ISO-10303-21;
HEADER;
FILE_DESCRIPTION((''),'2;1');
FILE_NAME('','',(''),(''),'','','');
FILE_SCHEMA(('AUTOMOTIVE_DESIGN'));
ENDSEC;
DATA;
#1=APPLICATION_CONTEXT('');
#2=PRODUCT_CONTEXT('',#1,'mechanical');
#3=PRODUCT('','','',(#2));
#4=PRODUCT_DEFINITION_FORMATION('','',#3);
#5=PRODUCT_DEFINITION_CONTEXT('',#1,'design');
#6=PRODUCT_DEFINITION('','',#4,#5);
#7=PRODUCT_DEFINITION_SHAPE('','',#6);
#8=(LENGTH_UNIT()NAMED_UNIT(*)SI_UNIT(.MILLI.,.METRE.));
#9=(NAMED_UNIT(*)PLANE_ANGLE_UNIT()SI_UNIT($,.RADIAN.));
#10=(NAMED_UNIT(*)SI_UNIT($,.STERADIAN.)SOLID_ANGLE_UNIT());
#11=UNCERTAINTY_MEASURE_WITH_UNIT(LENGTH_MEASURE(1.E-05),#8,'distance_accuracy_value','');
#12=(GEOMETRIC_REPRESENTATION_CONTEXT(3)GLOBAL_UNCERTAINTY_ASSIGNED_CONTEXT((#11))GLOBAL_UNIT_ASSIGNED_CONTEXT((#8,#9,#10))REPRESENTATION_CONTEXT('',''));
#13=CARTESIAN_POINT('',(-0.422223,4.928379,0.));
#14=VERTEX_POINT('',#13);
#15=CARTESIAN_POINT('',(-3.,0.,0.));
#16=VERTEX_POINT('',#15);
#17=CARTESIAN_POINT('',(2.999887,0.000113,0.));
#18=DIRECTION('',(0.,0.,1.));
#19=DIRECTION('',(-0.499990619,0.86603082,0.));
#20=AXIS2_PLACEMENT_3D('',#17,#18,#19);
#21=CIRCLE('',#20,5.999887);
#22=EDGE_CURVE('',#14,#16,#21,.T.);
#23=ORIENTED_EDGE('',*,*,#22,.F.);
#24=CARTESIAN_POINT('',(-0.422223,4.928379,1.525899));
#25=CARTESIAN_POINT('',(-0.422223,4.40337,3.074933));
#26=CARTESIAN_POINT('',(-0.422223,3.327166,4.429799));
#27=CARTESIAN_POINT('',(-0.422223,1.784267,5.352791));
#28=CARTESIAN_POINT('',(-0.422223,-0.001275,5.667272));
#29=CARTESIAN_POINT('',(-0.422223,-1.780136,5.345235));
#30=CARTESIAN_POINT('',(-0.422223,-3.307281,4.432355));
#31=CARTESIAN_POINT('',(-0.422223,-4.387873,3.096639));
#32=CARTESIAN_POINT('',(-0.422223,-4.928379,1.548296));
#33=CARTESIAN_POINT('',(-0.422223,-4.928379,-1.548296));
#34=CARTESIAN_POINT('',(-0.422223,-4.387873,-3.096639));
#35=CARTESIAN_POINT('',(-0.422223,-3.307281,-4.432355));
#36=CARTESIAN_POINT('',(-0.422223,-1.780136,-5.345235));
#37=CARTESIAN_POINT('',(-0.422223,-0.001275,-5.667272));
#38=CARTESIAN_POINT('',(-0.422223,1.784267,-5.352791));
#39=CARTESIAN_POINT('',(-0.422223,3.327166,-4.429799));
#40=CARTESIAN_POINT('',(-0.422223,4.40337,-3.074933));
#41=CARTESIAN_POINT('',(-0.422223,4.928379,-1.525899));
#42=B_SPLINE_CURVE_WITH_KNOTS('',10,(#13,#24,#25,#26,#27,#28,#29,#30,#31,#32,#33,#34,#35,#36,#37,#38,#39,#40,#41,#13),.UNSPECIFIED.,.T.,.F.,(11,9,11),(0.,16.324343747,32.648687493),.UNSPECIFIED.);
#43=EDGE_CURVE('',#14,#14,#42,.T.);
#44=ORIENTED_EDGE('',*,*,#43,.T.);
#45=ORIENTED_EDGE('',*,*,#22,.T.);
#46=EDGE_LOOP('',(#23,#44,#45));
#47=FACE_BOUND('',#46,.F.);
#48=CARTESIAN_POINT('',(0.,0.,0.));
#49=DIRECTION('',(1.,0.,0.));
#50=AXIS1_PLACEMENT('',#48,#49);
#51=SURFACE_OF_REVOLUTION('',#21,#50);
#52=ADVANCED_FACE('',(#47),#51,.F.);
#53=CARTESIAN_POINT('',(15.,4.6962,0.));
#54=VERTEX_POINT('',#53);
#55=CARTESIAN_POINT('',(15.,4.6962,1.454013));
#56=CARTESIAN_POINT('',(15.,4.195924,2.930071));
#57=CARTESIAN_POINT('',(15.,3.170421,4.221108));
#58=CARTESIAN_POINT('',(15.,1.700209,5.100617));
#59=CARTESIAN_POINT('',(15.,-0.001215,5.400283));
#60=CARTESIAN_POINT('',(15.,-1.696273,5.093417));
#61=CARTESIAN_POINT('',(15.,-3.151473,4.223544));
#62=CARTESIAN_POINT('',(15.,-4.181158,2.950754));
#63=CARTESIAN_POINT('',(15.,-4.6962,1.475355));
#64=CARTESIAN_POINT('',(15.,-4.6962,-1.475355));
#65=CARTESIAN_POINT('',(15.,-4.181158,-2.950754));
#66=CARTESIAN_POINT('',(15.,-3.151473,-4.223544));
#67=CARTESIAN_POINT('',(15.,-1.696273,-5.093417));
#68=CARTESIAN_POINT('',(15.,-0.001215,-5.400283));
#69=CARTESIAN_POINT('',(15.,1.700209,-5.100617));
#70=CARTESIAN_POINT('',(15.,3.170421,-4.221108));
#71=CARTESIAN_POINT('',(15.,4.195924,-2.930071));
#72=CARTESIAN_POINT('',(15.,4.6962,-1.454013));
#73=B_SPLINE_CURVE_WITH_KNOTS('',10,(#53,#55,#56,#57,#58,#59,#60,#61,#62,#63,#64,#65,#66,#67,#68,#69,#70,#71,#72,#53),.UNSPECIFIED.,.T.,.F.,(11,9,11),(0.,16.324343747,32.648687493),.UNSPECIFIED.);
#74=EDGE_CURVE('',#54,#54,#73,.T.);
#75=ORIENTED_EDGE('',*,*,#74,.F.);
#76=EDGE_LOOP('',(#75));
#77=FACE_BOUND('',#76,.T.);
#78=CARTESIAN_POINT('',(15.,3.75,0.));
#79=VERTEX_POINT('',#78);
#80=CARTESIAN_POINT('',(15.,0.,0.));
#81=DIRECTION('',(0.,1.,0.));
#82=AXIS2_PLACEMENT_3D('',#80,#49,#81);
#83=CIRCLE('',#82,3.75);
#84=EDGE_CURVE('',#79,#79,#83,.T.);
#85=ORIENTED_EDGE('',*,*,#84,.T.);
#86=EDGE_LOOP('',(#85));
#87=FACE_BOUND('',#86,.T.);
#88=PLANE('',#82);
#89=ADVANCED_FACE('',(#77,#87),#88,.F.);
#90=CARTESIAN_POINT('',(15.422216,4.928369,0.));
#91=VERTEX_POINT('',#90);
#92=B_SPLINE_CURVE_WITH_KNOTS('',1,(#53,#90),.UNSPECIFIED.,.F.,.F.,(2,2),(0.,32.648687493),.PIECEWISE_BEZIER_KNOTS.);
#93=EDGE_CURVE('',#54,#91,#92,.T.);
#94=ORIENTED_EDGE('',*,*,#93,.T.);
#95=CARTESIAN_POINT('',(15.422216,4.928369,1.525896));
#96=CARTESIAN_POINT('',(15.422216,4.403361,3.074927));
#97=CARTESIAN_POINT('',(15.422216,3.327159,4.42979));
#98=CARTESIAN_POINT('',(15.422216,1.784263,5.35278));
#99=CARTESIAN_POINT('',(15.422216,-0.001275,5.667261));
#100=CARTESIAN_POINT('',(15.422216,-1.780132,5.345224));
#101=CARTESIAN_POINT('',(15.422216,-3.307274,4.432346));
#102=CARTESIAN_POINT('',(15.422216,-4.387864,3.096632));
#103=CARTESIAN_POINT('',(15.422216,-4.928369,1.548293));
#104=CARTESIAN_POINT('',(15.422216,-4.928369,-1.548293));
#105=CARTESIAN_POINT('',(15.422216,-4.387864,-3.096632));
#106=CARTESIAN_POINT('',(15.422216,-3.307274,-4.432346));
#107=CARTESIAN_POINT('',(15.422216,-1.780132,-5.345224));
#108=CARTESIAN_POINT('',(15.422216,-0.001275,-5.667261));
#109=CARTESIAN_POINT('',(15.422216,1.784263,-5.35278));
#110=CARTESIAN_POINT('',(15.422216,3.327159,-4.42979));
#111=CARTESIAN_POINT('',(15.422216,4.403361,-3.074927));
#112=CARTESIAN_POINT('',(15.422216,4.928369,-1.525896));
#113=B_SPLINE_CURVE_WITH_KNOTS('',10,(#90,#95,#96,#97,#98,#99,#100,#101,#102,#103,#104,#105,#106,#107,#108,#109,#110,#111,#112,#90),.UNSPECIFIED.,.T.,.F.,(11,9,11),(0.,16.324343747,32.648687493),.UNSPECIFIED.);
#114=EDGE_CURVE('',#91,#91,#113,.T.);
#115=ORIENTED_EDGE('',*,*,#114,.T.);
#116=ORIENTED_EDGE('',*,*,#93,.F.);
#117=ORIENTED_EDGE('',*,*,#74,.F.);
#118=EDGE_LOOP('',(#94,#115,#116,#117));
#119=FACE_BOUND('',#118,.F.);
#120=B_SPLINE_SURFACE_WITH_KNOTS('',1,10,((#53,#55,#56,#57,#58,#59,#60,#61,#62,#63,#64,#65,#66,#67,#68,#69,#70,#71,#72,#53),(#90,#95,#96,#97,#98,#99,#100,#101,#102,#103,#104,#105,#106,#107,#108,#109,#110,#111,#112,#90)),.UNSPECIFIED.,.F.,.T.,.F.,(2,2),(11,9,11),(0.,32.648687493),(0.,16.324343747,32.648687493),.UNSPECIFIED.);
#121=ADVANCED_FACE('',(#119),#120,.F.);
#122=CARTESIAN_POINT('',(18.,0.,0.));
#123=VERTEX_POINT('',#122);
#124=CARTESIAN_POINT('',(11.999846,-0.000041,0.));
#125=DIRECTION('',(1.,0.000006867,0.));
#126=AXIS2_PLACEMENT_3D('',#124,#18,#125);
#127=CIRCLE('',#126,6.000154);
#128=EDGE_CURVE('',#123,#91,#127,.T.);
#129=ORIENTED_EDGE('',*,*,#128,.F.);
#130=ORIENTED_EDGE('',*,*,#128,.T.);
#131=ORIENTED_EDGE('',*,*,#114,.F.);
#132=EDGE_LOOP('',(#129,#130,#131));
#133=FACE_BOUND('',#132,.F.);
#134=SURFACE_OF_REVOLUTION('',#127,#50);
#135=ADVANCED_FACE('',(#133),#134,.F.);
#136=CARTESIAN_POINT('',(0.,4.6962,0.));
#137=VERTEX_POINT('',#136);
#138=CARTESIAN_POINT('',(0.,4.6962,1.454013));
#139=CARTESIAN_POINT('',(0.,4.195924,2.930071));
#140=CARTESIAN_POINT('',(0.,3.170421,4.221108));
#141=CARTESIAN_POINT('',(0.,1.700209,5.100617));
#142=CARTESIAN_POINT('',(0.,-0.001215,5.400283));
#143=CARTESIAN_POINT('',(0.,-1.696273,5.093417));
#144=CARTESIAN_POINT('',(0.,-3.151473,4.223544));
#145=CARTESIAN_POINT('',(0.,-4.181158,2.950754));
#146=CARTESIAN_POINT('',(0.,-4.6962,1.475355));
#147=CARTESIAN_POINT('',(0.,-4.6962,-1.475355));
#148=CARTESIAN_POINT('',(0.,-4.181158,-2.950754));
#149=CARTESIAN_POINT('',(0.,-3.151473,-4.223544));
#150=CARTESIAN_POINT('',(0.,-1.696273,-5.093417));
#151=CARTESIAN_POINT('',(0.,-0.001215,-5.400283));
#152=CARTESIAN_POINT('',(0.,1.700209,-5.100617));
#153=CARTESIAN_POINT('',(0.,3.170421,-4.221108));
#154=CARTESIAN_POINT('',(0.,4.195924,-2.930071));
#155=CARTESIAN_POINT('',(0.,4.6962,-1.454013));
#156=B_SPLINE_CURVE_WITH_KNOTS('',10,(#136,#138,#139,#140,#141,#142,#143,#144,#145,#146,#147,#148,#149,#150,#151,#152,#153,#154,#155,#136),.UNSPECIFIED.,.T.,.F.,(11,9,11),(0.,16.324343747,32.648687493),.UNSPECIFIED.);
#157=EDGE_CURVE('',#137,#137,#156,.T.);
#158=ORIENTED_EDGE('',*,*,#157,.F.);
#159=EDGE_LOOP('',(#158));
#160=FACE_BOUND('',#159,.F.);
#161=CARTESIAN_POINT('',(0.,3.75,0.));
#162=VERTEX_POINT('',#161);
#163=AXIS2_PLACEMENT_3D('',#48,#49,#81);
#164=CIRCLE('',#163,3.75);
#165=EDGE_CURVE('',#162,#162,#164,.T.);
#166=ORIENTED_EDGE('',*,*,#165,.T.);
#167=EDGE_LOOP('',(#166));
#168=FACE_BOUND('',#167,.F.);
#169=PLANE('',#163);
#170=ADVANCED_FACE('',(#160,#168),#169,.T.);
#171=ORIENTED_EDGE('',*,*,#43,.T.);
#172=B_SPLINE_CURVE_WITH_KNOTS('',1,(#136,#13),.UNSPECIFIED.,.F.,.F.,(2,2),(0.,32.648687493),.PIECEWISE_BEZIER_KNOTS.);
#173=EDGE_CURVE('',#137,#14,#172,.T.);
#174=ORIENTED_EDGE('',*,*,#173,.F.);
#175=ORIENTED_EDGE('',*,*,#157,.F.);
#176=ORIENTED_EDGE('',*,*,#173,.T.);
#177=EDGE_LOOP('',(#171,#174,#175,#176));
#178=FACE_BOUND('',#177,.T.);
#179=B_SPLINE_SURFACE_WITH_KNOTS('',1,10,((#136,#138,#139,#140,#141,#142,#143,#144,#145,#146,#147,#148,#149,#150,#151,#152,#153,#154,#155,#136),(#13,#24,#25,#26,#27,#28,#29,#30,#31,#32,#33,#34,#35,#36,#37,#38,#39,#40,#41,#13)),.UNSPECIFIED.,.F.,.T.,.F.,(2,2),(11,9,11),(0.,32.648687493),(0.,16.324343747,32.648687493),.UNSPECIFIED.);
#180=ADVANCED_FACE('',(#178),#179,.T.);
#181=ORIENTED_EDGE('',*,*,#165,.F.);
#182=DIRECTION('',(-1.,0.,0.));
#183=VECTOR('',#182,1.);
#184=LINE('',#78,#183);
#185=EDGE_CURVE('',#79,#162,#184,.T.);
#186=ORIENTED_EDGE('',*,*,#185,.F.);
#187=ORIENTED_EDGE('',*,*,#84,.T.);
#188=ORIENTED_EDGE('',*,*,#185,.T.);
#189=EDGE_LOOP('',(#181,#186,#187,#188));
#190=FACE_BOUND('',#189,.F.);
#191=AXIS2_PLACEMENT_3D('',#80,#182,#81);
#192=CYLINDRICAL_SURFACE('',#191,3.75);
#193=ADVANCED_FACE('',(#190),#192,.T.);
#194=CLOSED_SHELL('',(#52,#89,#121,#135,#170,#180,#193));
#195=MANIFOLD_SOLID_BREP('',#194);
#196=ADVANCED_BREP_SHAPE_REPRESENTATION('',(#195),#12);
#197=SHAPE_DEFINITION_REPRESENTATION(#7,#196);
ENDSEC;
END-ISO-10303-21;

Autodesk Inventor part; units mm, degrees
ref_plane "YZ Plane" through (0, 0, 0) normal (1, 0, 0) x (0, 1, 0)
ref_plane "XZ Plane" through (0, 0, 0) normal (0, 1, 0) x (-1, 0, 0)
ref_plane "XY Plane" through (0, 0, 0) normal (0, 0, 1) x (1, 0, 0)
sketch "Sketch1" plane through (0, 0, 0) normal (0, 0, 1) x (1, 0, 0)
  line L0 (0, 0) -> (15, 0)
  line L1 (15, 0) -> (15, 3.75)
  line L2 (15, 3.75) -> (0, 3.75)
  line L3 (0, 3.75) -> (0, 0)
  line L4 (0, 3.75) -> (0, 5.1962)
  line L5 (15, 3.75) -> (15, 5.1962)
  arc A0 (18, 0) -> (15, 5.1962) centre (12, 0) ccw
  arc A1 (0, 5.1962) -> (-3, 0) centre (3, 0) ccw
  line L6 (0, 0) -> (-3, 0)
  line L7 (15, 0) -> (18, 0)
  dimension "d0" = 15
  dimension "d1" = 3.75
  dimension "d2" = 6
  dimension "d3" = 6
  dimension "d4" = 3
  dimension "d5" = 3
revolve "Revolution1" add sketch "Sketch1" angle 360 about axis through (0, 0, 0) along (1, 0, 0)
chamfer "Chamfer1" distance 0.5 angle 45 2 edges at (0, -5.1962, 0) (15, -5.1962, 0)
properties part number "Claw Axis(1)" material "Stainless Steel"
